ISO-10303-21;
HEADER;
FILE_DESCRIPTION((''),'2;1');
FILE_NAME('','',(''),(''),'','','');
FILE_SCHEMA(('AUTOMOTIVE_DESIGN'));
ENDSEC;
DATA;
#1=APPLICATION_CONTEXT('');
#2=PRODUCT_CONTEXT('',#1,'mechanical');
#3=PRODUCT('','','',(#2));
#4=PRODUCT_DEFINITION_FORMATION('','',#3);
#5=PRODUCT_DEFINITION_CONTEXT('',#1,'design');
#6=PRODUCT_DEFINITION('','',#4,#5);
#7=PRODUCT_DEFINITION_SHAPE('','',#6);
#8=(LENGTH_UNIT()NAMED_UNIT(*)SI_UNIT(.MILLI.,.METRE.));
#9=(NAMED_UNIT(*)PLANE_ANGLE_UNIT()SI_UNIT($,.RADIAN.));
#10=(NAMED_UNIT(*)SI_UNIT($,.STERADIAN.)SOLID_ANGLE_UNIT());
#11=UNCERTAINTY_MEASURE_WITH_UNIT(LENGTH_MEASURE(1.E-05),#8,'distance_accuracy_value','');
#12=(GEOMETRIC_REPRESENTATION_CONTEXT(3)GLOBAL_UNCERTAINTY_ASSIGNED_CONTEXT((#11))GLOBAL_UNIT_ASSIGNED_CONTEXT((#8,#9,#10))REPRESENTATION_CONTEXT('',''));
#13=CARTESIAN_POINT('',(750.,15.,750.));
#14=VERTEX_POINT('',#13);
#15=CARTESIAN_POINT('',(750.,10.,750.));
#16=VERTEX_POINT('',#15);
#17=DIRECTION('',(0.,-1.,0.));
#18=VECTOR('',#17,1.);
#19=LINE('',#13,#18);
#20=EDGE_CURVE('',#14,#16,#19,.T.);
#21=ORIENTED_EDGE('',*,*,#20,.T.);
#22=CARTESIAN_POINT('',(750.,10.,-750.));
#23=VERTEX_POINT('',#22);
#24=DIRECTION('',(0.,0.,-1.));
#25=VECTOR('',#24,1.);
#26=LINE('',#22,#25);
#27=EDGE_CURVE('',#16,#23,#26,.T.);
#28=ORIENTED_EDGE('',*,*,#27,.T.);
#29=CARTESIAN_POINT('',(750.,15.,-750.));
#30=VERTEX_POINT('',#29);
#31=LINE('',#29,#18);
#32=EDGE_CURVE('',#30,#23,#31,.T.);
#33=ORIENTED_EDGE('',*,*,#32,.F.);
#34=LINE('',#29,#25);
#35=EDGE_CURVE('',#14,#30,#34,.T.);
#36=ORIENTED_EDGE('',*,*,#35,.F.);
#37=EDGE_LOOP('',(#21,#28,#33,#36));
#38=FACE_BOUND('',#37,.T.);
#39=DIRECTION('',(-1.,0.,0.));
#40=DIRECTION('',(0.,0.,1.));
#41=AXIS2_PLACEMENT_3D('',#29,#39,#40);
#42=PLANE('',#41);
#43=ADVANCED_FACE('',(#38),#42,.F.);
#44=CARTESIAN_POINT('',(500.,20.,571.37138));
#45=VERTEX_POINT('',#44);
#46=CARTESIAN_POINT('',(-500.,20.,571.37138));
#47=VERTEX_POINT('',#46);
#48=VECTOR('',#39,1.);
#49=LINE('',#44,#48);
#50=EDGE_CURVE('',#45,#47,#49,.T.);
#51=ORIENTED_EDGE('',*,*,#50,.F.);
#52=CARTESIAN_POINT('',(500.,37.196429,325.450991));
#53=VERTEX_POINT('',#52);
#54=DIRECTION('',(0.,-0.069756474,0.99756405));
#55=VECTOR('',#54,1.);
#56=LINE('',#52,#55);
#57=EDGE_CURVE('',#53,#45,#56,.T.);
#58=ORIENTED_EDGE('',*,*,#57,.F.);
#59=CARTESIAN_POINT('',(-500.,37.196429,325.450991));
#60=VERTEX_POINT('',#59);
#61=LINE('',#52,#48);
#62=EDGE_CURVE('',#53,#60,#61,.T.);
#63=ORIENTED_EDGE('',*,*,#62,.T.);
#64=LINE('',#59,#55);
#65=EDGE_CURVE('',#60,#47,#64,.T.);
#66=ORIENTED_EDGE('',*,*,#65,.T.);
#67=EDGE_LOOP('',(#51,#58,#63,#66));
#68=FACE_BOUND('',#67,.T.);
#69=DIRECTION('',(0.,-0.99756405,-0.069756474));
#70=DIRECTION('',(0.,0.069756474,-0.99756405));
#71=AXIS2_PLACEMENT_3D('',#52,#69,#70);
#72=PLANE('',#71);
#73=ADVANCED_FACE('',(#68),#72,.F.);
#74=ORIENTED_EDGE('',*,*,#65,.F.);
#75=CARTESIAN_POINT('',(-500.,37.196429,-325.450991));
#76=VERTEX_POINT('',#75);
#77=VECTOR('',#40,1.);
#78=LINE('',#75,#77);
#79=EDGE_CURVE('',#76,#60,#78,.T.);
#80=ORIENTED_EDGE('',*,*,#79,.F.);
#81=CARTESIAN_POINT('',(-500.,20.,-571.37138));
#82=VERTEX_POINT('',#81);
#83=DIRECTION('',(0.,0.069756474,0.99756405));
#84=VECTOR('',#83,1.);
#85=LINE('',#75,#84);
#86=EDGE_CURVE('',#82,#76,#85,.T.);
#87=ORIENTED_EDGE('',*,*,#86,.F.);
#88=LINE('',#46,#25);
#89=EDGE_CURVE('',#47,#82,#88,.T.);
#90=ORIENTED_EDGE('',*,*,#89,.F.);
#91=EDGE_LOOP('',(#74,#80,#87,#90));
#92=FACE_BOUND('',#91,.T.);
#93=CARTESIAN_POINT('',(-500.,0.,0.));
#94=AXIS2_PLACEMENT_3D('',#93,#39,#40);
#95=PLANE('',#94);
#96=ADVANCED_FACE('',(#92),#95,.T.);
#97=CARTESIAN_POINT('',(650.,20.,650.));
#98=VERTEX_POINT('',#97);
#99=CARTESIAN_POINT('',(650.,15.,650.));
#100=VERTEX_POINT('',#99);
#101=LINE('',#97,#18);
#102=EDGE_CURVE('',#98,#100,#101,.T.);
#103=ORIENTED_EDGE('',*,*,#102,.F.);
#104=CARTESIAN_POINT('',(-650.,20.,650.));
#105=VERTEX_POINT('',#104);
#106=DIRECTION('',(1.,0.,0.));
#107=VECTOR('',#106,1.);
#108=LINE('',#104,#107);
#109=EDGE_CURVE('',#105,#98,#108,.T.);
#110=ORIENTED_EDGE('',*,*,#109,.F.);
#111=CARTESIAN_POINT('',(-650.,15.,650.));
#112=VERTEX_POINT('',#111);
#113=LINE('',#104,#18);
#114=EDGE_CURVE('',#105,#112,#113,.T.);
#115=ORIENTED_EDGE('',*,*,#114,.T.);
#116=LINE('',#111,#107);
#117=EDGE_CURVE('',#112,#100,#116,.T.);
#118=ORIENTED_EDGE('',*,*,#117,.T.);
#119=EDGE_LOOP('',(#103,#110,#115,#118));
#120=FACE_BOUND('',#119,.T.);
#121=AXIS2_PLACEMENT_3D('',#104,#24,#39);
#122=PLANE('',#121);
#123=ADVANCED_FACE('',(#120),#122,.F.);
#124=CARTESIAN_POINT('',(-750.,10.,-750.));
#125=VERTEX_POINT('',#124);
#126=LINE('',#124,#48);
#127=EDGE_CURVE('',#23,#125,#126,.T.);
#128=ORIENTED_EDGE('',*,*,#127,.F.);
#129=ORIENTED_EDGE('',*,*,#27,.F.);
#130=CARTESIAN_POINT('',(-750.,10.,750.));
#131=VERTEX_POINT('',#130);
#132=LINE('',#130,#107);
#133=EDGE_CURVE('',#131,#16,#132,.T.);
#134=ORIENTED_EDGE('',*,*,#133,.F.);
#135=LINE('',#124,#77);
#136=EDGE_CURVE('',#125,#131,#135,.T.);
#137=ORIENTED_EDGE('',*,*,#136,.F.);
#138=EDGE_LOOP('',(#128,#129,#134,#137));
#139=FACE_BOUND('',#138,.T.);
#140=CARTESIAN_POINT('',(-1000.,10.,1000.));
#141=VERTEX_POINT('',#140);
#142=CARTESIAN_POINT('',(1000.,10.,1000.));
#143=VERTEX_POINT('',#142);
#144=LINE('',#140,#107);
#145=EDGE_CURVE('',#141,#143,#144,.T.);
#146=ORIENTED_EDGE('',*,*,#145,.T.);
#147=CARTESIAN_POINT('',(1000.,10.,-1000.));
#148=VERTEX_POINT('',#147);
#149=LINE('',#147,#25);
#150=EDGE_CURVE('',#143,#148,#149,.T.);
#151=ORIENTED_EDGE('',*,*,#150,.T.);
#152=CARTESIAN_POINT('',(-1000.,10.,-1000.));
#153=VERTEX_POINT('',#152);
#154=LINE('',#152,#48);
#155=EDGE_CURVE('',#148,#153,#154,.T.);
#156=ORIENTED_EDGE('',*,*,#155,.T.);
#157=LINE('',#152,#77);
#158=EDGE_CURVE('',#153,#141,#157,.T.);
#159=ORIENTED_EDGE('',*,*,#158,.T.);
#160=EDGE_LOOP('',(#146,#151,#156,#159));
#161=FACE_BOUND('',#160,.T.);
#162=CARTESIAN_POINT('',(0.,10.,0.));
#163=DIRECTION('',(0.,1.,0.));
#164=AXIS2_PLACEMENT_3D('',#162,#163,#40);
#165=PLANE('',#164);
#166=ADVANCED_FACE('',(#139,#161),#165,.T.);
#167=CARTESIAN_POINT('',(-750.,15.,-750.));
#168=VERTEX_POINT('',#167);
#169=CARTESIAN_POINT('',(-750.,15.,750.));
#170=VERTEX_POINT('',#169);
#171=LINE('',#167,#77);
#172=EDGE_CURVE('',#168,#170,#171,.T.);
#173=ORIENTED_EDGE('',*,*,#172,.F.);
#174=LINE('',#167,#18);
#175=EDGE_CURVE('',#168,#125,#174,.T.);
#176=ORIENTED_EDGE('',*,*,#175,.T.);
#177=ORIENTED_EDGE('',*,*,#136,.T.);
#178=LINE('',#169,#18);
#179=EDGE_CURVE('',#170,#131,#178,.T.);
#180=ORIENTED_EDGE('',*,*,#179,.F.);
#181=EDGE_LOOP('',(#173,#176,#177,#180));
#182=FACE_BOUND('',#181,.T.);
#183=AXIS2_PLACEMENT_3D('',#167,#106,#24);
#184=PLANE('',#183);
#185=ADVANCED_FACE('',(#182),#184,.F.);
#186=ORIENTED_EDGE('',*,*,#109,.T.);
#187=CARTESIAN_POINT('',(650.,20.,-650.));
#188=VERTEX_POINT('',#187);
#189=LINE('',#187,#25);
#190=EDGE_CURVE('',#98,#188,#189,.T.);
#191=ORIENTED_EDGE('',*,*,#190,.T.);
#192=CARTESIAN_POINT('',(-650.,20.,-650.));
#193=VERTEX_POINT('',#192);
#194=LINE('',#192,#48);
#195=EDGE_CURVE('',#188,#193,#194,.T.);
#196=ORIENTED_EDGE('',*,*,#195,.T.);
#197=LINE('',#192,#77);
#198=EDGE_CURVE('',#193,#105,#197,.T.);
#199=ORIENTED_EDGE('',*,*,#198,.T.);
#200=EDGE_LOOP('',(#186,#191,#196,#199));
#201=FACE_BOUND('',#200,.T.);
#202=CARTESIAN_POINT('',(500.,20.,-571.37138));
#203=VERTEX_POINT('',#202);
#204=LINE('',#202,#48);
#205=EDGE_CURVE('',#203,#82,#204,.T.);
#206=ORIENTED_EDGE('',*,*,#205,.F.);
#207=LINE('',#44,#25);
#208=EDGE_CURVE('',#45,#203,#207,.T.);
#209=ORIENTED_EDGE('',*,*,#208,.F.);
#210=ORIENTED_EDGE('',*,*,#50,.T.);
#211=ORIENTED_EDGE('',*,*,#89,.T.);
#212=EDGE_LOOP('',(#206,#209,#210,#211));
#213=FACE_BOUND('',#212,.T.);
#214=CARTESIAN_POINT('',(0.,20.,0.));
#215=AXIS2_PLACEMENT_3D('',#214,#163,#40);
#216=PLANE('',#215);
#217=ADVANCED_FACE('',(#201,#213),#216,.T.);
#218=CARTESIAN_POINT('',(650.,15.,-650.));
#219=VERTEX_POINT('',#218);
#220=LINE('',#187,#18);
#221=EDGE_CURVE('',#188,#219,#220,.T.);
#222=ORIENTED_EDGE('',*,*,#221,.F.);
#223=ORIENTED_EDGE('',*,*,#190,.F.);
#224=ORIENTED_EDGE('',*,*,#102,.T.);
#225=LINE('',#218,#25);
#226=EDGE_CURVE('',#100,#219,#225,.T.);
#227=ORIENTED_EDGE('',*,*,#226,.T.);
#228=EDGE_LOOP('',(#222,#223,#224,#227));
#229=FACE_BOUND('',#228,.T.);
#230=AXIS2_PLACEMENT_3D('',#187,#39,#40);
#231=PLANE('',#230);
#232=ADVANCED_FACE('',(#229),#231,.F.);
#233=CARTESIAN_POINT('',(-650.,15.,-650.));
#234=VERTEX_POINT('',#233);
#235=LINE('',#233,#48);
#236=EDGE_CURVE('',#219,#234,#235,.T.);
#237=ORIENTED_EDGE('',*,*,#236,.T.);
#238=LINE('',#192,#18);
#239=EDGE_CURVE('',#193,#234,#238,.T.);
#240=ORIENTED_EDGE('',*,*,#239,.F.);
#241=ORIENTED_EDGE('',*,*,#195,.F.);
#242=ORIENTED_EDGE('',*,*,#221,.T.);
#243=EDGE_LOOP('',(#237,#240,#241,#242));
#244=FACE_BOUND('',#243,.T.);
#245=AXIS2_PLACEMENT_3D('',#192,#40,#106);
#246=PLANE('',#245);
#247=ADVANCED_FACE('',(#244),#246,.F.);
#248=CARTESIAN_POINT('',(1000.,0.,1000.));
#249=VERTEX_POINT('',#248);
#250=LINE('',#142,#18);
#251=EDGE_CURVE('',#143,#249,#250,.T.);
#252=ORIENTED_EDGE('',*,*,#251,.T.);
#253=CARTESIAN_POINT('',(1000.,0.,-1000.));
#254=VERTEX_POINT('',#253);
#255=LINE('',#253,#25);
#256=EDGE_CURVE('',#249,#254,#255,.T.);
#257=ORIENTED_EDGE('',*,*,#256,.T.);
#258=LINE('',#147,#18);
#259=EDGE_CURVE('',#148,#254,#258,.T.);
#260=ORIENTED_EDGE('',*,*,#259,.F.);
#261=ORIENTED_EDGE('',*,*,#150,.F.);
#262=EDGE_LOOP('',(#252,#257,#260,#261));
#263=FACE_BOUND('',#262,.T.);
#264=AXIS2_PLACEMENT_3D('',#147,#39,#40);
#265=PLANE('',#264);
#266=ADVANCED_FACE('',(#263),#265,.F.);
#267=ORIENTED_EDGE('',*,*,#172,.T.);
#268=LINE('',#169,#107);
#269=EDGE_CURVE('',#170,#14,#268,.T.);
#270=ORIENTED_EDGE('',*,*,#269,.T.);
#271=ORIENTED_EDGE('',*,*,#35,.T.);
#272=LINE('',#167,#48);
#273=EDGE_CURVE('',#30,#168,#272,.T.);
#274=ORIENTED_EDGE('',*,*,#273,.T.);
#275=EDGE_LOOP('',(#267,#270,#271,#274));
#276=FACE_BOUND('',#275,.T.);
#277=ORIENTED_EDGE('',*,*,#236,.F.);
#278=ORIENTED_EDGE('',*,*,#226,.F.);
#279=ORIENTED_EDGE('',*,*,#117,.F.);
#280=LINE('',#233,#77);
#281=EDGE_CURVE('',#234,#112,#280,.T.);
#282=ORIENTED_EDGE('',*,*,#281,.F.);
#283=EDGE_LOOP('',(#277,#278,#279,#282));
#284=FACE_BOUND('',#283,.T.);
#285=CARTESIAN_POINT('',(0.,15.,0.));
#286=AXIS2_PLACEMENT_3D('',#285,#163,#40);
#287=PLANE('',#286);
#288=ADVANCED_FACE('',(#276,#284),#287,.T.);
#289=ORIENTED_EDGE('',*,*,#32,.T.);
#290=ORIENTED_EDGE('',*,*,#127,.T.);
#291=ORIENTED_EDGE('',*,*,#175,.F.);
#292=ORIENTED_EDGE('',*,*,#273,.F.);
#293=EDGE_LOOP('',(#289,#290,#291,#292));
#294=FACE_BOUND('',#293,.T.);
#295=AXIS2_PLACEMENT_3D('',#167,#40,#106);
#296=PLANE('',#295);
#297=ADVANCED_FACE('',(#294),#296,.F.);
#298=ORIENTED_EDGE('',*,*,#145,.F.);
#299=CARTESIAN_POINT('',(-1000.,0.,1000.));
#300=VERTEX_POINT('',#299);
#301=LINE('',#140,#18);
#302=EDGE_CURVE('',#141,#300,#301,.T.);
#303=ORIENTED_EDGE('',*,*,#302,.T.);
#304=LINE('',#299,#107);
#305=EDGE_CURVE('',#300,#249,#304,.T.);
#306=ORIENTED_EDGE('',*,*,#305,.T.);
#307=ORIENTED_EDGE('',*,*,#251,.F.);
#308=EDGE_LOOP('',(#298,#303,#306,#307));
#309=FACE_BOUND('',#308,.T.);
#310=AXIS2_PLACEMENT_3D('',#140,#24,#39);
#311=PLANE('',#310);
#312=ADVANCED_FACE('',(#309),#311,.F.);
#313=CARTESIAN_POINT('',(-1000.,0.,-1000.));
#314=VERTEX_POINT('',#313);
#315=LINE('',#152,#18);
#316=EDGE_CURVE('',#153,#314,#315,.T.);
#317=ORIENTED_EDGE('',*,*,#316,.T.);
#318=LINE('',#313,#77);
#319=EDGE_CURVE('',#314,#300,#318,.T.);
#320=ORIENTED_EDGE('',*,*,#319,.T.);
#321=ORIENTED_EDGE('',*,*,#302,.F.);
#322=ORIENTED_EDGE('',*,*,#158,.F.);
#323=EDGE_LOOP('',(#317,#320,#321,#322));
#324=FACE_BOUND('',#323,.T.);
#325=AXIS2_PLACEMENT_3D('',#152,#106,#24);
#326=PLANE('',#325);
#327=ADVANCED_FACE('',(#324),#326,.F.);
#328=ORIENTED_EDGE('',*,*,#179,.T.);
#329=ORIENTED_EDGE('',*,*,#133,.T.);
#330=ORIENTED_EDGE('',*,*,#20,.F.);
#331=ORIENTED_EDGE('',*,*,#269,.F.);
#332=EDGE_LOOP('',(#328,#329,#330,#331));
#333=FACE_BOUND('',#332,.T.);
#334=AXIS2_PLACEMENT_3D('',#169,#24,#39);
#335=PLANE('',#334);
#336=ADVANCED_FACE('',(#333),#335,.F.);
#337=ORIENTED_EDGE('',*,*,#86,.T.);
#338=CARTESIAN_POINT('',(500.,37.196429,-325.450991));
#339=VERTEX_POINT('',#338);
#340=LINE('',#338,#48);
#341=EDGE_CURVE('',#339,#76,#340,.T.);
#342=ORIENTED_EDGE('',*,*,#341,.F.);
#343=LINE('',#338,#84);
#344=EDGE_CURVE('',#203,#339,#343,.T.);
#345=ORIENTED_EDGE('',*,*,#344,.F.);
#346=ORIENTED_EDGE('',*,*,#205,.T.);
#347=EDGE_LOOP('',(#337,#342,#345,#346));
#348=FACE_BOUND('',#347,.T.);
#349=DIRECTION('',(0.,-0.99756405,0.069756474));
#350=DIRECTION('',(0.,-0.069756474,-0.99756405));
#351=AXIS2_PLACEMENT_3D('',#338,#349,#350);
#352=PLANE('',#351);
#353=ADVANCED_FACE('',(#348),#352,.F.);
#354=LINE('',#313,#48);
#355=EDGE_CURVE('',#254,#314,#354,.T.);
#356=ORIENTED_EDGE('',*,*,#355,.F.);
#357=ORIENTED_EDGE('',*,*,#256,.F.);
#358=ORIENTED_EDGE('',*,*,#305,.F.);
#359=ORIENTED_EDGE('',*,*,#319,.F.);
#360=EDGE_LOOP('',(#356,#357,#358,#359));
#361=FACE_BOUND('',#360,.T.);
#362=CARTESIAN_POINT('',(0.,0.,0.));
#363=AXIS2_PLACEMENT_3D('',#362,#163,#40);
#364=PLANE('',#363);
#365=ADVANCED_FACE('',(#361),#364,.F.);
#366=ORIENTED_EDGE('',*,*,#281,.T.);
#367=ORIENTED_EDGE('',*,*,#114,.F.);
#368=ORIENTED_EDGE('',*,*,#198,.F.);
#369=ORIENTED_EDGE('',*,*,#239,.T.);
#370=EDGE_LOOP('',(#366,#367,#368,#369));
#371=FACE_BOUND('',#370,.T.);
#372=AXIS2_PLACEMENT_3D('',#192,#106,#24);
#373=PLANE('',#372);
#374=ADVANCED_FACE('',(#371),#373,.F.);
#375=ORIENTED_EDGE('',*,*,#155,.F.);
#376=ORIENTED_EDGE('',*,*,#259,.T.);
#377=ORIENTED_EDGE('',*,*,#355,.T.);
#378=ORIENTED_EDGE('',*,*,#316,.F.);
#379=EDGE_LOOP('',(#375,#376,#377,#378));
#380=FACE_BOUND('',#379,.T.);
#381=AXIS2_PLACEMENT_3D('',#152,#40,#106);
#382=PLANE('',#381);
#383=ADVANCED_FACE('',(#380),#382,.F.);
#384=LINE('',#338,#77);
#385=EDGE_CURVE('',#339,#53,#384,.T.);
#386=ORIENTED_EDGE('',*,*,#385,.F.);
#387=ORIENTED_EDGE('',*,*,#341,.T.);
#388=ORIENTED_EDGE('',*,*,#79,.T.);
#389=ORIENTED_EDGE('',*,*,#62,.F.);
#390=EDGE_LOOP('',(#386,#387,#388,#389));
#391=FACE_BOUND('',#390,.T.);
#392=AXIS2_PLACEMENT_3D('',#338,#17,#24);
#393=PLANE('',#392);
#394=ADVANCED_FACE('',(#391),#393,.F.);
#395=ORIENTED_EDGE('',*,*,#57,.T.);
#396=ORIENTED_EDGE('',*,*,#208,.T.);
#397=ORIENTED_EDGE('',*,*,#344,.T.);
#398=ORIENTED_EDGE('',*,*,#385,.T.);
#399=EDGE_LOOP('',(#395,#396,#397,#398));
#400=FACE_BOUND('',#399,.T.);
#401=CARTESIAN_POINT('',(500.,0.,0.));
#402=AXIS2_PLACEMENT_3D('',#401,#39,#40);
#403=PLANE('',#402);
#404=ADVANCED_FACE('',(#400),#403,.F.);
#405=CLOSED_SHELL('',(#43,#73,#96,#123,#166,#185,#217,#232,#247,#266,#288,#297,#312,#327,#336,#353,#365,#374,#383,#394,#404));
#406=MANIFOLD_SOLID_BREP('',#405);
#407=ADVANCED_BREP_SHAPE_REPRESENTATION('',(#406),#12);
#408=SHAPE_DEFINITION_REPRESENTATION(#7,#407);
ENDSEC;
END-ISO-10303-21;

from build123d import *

# Parameters (mm, degrees)
ESQUISSE1_W        = 2000
ESQUISSE1_H        = 2000
BOSS_EXTRU_1_DEPTH = 10
ESQUISSE3_W        = 1500
ESQUISSE3_H        = 1500
BOSS_EXTRU_2_DEPTH = 5
ESQUISSE4_W        = 1300
ESQUISSE4_H        = 1300
BOSS_EXTRU_3_DEPTH = 5
BOSS_EXTRU_5_DEPTH = 500


with BuildPart() as part:
    # Esquisse1 → Boss.-Extru.1 (new body)
    with BuildSketch(Plane(origin=(0, 0, 0), x_dir=(1, 0, 0), z_dir=(0, 1, 0))):
        Rectangle(ESQUISSE1_W, ESQUISSE1_H)
    extrude(amount=BOSS_EXTRU_1_DEPTH)

    # Esquisse3 → Boss.-Extru.2 (add)
    with BuildSketch(Plane(origin=(0, 10, 0), x_dir=(1, 0, 0), z_dir=(0, 1, 0))):
        Rectangle(ESQUISSE3_W, ESQUISSE3_H)
    extrude(amount=BOSS_EXTRU_2_DEPTH)

    # Esquisse4 → Boss.-Extru.3 (add)
    with BuildSketch(Plane(origin=(0, 15, 0), x_dir=(1, 0, 0), z_dir=(0, 1, 0))):
        Rectangle(ESQUISSE4_W, ESQUISSE4_H)
    extrude(amount=BOSS_EXTRU_3_DEPTH)

    # Esquisse8 → Boss.-Extru.5 (add, symmetric)
    with BuildSketch(Plane(origin=(0, 0, 0), x_dir=(0, 0, -1), z_dir=(1, 0, 0))):
        Polygon((325.45099137, 37.196428785), (-325.45099137, 37.196428785), (-571.371380234, 20), (571.371380234, 20), align=None)
    extrude(amount=BOSS_EXTRU_5_DEPTH, both=True)


solid = part.part
